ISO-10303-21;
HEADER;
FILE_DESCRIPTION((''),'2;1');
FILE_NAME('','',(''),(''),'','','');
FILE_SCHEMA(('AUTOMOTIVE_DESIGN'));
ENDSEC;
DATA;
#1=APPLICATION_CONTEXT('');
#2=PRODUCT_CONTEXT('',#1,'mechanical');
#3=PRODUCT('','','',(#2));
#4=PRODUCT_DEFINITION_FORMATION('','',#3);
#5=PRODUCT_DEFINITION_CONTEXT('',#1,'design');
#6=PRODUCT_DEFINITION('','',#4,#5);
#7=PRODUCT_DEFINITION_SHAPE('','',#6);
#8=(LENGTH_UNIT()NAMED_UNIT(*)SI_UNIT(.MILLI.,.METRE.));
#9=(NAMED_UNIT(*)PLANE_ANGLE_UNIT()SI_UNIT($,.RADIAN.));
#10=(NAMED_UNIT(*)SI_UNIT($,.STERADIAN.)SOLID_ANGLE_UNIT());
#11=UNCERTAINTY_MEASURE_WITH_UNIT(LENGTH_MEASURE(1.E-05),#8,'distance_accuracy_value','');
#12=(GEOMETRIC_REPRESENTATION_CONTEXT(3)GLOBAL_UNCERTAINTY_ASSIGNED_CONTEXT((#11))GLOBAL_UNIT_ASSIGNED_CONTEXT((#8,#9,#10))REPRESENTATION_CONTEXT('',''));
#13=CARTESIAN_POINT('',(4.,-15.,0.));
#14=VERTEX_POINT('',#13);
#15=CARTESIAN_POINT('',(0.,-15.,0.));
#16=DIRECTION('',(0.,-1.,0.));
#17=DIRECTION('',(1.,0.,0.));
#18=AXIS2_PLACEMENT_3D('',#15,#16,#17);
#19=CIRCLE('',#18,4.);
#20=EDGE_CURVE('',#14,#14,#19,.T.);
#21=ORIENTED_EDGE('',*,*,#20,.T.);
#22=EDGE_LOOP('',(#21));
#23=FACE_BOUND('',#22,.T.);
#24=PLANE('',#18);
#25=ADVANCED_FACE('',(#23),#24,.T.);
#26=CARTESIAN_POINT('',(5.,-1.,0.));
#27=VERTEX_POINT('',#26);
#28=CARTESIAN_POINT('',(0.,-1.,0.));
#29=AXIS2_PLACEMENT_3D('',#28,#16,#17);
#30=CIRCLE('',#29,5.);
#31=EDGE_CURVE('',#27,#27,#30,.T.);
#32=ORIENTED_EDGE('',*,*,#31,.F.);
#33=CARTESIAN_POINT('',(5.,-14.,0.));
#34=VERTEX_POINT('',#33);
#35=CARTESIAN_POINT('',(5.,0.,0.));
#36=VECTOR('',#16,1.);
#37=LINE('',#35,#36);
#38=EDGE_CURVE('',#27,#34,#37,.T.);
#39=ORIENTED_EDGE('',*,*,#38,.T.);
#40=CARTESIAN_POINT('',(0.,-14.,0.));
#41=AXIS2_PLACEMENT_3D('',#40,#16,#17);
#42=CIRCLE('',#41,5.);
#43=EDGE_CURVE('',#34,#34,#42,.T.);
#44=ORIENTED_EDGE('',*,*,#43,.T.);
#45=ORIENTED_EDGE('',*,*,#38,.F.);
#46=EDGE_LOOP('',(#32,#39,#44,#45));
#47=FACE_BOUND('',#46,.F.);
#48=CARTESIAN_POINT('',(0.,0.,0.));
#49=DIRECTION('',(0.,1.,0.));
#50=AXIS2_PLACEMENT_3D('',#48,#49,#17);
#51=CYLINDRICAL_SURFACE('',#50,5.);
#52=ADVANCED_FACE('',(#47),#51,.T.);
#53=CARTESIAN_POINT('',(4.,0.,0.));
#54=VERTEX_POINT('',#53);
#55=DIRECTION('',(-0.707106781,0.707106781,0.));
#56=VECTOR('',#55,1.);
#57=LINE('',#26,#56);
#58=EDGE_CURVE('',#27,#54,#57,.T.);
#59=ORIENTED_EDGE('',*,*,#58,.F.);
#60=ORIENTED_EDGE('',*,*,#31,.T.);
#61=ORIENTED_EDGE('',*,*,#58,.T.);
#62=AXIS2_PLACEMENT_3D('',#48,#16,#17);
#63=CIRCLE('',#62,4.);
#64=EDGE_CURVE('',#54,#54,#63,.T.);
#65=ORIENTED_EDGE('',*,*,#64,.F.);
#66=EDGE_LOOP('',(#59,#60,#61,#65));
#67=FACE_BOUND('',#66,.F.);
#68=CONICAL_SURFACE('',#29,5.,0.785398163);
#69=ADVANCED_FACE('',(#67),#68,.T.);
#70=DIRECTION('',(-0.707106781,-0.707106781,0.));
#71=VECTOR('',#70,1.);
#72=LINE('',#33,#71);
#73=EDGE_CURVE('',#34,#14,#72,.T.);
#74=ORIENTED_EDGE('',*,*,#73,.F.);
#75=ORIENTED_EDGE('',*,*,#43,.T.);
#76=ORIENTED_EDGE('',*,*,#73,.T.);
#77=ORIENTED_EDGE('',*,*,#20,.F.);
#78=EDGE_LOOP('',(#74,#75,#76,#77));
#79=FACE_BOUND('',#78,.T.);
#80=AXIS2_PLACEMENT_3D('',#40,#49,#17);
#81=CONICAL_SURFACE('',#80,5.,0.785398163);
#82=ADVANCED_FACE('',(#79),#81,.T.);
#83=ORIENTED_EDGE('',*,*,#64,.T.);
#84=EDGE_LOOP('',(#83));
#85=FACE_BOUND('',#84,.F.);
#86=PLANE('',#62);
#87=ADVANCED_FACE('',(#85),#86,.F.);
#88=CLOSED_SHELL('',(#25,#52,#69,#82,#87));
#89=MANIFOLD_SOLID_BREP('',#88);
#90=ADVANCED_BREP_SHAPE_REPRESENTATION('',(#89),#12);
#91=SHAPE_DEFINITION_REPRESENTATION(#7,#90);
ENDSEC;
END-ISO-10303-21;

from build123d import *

# Parameters (mm, degrees)
F0_R     = 5
F1_DEPTH = 15
F2_SIZE  = 1
F3_SIZE  = 1


with BuildPart() as f1:
    # F0 (on Front) → F1 (new body)
    with BuildSketch(Plane.XZ):
        Circle(F0_R)
    extrude(amount=F1_DEPTH)

    # F2
    f2_edges = [f1.edges().sort_by_distance(p)[0] for p in [
        (-5, 0, 0),
    ]]
    chamfer(f2_edges, length=F2_SIZE)

    # F3
    f3_edges = [f1.edges().sort_by_distance(p)[0] for p in [
        (-5, -15, 0),
    ]]
    chamfer(f3_edges, length=F3_SIZE)


solid = f1.part
